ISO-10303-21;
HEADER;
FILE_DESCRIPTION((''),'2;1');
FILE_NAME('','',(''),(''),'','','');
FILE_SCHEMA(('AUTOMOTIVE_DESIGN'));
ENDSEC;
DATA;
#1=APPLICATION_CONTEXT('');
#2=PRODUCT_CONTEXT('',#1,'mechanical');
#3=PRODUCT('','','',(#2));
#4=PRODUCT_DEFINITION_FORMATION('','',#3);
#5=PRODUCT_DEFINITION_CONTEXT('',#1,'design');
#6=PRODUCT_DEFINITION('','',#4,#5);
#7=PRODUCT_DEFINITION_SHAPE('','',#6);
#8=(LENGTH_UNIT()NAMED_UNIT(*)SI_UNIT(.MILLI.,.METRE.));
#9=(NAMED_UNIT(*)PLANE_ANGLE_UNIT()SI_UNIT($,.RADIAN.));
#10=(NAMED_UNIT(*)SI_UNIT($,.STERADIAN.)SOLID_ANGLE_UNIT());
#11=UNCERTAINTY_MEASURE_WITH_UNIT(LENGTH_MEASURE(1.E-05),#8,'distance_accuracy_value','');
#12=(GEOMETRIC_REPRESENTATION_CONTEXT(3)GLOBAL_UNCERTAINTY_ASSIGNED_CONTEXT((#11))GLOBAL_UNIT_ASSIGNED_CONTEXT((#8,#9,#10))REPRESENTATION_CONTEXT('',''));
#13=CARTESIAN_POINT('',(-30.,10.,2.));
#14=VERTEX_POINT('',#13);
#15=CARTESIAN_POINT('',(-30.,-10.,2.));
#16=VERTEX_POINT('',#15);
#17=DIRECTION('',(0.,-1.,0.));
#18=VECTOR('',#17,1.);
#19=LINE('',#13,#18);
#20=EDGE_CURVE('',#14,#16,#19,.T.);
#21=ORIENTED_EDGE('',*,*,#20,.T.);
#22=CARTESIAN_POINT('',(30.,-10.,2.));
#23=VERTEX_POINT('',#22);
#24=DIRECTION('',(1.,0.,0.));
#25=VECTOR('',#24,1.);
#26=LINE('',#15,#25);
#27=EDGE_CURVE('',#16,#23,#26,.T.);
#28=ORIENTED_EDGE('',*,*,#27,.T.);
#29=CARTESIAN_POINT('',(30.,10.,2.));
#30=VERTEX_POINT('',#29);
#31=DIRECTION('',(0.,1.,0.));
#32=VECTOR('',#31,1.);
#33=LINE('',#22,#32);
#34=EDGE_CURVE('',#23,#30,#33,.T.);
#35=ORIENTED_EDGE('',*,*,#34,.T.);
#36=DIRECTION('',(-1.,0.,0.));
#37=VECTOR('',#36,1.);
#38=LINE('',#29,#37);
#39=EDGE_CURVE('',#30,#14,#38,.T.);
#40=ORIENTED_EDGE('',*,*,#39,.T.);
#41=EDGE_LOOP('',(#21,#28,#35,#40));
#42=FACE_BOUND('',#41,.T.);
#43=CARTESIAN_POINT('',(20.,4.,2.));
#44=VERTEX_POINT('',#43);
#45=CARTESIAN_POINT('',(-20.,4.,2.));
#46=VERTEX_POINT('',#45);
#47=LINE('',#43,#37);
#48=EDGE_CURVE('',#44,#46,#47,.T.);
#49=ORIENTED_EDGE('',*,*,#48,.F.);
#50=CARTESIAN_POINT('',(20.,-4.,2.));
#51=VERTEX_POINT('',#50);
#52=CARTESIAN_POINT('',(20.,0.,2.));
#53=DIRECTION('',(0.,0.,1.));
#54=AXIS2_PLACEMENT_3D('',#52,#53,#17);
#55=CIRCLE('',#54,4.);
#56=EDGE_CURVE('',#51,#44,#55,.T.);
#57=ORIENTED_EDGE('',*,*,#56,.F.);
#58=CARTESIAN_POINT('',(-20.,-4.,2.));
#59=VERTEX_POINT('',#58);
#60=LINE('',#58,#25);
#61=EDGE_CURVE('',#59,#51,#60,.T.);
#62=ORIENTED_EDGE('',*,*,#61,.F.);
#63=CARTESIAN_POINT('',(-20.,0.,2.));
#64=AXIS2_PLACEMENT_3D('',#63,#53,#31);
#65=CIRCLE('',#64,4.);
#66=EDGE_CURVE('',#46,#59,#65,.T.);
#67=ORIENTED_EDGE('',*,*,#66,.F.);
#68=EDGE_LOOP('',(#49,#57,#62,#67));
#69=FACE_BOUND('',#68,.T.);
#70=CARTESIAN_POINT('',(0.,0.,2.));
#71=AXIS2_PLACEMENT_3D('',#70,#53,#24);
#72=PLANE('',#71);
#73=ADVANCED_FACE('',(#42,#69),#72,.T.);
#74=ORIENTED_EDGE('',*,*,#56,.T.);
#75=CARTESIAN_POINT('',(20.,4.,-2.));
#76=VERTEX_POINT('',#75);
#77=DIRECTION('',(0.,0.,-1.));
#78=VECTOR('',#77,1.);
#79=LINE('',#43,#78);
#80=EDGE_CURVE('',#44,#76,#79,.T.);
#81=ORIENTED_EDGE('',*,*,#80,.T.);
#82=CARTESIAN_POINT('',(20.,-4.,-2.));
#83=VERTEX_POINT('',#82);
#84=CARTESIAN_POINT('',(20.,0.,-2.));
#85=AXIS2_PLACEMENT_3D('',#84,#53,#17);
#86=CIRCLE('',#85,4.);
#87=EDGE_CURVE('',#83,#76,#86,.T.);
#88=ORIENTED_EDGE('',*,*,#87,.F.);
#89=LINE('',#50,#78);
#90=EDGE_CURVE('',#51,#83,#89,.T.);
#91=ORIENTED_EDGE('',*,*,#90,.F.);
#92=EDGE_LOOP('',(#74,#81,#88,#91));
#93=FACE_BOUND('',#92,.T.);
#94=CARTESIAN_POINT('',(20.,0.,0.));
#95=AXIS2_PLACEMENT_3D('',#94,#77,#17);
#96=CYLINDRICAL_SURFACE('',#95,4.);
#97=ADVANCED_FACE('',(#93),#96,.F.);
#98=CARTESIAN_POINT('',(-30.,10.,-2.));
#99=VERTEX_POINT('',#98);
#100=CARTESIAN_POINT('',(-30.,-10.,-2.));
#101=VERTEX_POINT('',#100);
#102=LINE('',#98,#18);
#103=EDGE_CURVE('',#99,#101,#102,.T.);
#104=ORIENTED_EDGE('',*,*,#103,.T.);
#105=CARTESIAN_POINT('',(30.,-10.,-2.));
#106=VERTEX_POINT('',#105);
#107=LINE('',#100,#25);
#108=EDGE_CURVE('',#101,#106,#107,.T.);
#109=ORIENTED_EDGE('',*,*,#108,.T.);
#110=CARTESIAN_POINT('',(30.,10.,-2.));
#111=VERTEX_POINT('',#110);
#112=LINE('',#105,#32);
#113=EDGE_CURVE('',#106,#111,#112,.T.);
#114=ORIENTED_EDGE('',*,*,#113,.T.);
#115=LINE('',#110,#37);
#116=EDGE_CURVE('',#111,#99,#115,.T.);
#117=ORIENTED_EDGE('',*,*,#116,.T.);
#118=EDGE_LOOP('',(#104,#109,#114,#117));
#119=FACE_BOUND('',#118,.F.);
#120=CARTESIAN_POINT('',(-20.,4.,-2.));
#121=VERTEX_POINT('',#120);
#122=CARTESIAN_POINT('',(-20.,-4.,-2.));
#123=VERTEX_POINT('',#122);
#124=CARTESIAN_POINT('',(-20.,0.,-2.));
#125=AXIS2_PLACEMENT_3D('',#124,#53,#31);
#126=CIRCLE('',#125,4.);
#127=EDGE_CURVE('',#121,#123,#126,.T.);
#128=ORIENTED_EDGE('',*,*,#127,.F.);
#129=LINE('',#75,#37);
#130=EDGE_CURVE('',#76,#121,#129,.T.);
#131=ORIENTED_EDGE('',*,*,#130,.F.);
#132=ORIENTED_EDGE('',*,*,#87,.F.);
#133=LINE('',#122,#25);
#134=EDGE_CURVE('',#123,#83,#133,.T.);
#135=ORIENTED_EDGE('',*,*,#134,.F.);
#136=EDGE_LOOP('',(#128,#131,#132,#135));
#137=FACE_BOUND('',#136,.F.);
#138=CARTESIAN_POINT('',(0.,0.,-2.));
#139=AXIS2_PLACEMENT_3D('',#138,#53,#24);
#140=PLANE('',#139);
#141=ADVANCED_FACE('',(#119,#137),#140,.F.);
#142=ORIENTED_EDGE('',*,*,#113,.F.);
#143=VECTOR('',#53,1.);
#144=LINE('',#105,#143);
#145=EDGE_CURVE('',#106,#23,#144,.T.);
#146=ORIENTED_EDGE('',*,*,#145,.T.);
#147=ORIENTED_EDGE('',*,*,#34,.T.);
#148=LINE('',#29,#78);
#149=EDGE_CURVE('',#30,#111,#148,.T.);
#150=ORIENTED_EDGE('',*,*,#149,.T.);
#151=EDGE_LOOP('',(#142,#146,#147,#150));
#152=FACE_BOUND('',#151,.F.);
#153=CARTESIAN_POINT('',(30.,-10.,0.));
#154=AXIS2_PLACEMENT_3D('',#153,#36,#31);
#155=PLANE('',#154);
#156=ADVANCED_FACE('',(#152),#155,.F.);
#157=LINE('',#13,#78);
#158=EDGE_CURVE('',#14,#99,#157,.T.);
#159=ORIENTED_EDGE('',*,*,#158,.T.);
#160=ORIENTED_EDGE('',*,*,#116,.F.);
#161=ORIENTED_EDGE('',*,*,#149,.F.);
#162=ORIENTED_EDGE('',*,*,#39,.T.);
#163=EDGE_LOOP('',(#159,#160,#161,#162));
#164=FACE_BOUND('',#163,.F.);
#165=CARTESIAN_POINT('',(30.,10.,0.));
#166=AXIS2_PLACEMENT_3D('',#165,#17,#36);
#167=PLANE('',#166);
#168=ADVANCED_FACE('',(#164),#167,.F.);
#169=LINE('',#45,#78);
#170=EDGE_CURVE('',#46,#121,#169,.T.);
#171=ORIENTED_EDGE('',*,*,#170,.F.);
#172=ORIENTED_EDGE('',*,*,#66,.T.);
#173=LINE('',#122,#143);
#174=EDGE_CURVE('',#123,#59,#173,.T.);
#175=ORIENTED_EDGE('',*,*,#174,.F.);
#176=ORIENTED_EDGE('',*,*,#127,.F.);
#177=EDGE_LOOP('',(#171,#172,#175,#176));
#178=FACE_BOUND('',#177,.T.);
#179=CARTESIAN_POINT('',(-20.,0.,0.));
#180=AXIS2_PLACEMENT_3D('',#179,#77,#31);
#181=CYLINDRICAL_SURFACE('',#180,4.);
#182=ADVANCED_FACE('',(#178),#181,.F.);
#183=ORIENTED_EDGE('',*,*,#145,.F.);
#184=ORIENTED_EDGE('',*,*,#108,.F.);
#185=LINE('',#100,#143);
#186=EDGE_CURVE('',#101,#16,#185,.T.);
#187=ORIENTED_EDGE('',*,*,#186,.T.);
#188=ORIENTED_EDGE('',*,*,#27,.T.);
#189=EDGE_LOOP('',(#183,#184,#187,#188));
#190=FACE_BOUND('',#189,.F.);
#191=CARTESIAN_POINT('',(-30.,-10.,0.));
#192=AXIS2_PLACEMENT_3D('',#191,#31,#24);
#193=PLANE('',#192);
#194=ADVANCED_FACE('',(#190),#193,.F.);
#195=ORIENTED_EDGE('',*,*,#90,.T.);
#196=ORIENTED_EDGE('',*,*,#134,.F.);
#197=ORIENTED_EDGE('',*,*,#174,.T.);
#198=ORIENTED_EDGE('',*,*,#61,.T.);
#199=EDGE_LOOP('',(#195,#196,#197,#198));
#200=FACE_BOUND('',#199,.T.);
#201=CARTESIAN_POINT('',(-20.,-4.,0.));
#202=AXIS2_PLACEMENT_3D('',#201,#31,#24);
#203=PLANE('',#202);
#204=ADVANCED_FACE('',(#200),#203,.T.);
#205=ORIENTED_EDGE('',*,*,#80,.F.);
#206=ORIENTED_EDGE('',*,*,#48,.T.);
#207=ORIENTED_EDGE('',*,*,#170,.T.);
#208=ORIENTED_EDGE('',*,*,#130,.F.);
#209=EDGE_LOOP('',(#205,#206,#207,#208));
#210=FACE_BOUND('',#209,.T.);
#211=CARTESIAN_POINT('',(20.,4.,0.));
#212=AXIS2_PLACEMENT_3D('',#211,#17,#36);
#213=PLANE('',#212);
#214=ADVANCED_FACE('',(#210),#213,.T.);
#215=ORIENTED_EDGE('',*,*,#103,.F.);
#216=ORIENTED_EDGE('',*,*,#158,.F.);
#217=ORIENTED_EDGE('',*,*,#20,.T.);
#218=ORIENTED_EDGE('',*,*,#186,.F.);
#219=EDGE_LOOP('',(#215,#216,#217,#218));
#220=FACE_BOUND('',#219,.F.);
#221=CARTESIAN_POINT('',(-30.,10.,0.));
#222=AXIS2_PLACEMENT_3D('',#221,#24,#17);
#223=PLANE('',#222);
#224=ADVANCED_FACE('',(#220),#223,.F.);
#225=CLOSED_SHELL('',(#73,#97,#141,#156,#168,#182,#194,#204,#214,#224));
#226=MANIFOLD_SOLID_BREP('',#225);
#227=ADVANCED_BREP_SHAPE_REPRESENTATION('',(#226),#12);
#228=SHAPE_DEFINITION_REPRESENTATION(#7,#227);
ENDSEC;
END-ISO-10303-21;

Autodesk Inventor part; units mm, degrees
ref_plane "YZ Plane" through (0, 0, 0) normal (1, 0, 0) x (0, 1, 0)
ref_plane "XZ Plane" through (0, 0, 0) normal (0, 1, 0) x (-1, 0, 0)
ref_plane "XY Plane" through (0, 0, 0) normal (0, 0, 1) x (1, 0, 0)
sketch "Sketch1" plane through (0, 0, 0) normal (0, 0, 1) x (1, 0, 0)
  line L0 (-30, -10) -> (30, -10)
  line L1 (30, -10) -> (30, 10)
  line L2 (30, 10) -> (-30, 10)
  line L3 (-30, 10) -> (-30, -10)
  line L4 (-30, -10) -> (30, 10) construction
  line L5 (30, -10) -> (-30, 10) construction
  line L6 (-20, 0) -> (20, 0) construction
  line L7 (-20, -4) -> (20, -4)
  line L8 (20, 4) -> (-20, 4)
  arc A0 (-20, 4) -> (-20, -4) centre (-20, 0) ccw
  arc A1 (20, -4) -> (20, 4) centre (20, 0) ccw
  point P0 (0, 0)
  point P1 (0, 0)
  point P2 (0, 0)
  dimension "d0" = 60
  dimension "d1" = 20
  dimension "d2" = 8
  dimension "d3" = 40
extrude "Extrusion1" add sketch "Sketch1" along normal mid plane 4
properties part number "Platina Posterior Derecha"
